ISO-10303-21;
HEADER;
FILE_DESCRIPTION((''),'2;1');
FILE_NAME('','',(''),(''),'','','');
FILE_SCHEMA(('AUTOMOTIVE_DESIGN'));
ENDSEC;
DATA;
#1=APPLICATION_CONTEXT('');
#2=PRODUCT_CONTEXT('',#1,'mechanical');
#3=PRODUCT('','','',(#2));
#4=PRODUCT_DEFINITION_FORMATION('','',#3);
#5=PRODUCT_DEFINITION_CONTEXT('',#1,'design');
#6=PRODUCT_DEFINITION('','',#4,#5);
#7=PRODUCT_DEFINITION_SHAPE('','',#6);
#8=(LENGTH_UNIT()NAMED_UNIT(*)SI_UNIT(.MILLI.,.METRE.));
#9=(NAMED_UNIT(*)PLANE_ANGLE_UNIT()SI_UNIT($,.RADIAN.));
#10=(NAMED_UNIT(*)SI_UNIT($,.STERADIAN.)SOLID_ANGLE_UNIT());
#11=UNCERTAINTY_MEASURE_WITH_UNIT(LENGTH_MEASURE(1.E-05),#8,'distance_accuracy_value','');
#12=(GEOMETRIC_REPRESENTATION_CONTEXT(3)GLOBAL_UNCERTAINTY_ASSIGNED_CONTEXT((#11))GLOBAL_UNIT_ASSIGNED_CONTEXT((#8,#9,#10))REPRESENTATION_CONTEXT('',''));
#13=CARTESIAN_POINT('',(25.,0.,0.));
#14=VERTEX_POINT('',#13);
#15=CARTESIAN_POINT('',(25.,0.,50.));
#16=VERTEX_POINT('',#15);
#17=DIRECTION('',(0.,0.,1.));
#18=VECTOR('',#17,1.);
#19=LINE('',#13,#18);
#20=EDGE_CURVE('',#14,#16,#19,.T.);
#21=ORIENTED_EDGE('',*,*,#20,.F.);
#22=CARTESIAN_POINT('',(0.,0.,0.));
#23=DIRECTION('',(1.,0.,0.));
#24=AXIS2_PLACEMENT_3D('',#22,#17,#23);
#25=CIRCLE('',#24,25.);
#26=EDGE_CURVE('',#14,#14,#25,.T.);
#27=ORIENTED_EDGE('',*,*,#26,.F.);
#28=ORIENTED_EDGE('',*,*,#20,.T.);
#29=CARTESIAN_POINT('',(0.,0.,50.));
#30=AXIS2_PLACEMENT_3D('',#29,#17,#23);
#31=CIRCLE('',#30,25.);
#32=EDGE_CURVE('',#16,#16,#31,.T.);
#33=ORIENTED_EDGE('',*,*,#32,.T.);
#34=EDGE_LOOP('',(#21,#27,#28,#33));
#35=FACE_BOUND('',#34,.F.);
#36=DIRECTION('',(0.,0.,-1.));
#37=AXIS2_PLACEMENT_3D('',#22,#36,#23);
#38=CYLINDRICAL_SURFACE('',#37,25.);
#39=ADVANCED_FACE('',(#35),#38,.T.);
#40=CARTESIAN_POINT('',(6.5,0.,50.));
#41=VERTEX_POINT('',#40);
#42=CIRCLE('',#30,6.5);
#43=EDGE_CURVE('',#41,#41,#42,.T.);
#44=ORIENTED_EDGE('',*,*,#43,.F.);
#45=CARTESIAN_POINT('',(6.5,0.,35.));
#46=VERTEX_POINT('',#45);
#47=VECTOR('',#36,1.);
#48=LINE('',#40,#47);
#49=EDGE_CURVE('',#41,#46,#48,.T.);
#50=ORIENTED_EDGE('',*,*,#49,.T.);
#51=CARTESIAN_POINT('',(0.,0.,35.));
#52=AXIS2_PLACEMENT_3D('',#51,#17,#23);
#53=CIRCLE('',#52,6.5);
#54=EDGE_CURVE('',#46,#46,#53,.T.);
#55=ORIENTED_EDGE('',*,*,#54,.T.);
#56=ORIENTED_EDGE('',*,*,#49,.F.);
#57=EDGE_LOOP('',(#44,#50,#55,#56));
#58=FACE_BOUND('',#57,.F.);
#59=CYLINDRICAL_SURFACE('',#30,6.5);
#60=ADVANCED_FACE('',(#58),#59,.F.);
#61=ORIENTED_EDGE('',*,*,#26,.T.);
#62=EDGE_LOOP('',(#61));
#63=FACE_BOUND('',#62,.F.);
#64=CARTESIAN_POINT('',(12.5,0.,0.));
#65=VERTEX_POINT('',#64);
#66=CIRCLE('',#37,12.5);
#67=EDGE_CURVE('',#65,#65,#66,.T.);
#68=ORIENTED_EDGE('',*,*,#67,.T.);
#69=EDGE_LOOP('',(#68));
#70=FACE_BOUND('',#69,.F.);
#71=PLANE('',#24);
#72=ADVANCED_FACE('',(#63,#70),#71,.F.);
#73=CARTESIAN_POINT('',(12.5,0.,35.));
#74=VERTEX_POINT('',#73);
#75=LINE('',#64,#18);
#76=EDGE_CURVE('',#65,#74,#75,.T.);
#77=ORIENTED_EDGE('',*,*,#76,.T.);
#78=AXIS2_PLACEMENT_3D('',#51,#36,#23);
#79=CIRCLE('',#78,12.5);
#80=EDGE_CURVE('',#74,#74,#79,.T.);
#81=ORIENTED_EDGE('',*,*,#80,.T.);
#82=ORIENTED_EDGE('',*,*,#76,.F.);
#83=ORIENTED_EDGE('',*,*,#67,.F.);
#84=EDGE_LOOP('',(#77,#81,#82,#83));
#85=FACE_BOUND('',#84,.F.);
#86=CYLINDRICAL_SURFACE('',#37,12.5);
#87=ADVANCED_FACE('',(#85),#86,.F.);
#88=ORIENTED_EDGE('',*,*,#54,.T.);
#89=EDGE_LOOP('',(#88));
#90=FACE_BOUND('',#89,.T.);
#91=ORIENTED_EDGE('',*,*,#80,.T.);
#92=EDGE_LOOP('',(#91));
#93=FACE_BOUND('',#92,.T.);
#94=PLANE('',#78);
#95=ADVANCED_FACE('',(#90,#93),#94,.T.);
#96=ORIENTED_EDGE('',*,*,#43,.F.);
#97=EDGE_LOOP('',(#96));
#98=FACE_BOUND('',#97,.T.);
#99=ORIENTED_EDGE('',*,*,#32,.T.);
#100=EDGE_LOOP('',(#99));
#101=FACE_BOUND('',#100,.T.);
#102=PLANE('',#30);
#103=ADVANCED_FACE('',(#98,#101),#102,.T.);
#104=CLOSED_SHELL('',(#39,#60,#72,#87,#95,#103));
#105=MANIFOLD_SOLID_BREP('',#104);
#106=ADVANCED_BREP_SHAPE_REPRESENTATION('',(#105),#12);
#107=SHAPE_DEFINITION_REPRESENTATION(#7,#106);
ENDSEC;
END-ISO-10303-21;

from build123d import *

# Parameters (mm, degrees)
F0_R     = 25
F1_DEPTH = 50
F2_R     = 6.5
F3_DEPTH = 50
F4_R     = 12.5
F5_DEPTH = 35


with BuildPart() as f1:
    # F0 (on Top) → F1 (new body)
    with BuildSketch(Plane.XY):
        Circle(F0_R)
    extrude(amount=F1_DEPTH)

    # F2 (on face) → F3 (cut)
    with BuildSketch(Plane.XY.offset(50)):
        Circle(F2_R)
    extrude(amount=-F3_DEPTH, mode=Mode.SUBTRACT)

    # F4 (on face) → F5 (cut)
    with BuildSketch(Plane(origin=(0, 0, 0), x_dir=(1, 0, 0), z_dir=(0, 0, -1))):
        Circle(F4_R)
    extrude(amount=-F5_DEPTH, mode=Mode.SUBTRACT)


solid = f1.part
